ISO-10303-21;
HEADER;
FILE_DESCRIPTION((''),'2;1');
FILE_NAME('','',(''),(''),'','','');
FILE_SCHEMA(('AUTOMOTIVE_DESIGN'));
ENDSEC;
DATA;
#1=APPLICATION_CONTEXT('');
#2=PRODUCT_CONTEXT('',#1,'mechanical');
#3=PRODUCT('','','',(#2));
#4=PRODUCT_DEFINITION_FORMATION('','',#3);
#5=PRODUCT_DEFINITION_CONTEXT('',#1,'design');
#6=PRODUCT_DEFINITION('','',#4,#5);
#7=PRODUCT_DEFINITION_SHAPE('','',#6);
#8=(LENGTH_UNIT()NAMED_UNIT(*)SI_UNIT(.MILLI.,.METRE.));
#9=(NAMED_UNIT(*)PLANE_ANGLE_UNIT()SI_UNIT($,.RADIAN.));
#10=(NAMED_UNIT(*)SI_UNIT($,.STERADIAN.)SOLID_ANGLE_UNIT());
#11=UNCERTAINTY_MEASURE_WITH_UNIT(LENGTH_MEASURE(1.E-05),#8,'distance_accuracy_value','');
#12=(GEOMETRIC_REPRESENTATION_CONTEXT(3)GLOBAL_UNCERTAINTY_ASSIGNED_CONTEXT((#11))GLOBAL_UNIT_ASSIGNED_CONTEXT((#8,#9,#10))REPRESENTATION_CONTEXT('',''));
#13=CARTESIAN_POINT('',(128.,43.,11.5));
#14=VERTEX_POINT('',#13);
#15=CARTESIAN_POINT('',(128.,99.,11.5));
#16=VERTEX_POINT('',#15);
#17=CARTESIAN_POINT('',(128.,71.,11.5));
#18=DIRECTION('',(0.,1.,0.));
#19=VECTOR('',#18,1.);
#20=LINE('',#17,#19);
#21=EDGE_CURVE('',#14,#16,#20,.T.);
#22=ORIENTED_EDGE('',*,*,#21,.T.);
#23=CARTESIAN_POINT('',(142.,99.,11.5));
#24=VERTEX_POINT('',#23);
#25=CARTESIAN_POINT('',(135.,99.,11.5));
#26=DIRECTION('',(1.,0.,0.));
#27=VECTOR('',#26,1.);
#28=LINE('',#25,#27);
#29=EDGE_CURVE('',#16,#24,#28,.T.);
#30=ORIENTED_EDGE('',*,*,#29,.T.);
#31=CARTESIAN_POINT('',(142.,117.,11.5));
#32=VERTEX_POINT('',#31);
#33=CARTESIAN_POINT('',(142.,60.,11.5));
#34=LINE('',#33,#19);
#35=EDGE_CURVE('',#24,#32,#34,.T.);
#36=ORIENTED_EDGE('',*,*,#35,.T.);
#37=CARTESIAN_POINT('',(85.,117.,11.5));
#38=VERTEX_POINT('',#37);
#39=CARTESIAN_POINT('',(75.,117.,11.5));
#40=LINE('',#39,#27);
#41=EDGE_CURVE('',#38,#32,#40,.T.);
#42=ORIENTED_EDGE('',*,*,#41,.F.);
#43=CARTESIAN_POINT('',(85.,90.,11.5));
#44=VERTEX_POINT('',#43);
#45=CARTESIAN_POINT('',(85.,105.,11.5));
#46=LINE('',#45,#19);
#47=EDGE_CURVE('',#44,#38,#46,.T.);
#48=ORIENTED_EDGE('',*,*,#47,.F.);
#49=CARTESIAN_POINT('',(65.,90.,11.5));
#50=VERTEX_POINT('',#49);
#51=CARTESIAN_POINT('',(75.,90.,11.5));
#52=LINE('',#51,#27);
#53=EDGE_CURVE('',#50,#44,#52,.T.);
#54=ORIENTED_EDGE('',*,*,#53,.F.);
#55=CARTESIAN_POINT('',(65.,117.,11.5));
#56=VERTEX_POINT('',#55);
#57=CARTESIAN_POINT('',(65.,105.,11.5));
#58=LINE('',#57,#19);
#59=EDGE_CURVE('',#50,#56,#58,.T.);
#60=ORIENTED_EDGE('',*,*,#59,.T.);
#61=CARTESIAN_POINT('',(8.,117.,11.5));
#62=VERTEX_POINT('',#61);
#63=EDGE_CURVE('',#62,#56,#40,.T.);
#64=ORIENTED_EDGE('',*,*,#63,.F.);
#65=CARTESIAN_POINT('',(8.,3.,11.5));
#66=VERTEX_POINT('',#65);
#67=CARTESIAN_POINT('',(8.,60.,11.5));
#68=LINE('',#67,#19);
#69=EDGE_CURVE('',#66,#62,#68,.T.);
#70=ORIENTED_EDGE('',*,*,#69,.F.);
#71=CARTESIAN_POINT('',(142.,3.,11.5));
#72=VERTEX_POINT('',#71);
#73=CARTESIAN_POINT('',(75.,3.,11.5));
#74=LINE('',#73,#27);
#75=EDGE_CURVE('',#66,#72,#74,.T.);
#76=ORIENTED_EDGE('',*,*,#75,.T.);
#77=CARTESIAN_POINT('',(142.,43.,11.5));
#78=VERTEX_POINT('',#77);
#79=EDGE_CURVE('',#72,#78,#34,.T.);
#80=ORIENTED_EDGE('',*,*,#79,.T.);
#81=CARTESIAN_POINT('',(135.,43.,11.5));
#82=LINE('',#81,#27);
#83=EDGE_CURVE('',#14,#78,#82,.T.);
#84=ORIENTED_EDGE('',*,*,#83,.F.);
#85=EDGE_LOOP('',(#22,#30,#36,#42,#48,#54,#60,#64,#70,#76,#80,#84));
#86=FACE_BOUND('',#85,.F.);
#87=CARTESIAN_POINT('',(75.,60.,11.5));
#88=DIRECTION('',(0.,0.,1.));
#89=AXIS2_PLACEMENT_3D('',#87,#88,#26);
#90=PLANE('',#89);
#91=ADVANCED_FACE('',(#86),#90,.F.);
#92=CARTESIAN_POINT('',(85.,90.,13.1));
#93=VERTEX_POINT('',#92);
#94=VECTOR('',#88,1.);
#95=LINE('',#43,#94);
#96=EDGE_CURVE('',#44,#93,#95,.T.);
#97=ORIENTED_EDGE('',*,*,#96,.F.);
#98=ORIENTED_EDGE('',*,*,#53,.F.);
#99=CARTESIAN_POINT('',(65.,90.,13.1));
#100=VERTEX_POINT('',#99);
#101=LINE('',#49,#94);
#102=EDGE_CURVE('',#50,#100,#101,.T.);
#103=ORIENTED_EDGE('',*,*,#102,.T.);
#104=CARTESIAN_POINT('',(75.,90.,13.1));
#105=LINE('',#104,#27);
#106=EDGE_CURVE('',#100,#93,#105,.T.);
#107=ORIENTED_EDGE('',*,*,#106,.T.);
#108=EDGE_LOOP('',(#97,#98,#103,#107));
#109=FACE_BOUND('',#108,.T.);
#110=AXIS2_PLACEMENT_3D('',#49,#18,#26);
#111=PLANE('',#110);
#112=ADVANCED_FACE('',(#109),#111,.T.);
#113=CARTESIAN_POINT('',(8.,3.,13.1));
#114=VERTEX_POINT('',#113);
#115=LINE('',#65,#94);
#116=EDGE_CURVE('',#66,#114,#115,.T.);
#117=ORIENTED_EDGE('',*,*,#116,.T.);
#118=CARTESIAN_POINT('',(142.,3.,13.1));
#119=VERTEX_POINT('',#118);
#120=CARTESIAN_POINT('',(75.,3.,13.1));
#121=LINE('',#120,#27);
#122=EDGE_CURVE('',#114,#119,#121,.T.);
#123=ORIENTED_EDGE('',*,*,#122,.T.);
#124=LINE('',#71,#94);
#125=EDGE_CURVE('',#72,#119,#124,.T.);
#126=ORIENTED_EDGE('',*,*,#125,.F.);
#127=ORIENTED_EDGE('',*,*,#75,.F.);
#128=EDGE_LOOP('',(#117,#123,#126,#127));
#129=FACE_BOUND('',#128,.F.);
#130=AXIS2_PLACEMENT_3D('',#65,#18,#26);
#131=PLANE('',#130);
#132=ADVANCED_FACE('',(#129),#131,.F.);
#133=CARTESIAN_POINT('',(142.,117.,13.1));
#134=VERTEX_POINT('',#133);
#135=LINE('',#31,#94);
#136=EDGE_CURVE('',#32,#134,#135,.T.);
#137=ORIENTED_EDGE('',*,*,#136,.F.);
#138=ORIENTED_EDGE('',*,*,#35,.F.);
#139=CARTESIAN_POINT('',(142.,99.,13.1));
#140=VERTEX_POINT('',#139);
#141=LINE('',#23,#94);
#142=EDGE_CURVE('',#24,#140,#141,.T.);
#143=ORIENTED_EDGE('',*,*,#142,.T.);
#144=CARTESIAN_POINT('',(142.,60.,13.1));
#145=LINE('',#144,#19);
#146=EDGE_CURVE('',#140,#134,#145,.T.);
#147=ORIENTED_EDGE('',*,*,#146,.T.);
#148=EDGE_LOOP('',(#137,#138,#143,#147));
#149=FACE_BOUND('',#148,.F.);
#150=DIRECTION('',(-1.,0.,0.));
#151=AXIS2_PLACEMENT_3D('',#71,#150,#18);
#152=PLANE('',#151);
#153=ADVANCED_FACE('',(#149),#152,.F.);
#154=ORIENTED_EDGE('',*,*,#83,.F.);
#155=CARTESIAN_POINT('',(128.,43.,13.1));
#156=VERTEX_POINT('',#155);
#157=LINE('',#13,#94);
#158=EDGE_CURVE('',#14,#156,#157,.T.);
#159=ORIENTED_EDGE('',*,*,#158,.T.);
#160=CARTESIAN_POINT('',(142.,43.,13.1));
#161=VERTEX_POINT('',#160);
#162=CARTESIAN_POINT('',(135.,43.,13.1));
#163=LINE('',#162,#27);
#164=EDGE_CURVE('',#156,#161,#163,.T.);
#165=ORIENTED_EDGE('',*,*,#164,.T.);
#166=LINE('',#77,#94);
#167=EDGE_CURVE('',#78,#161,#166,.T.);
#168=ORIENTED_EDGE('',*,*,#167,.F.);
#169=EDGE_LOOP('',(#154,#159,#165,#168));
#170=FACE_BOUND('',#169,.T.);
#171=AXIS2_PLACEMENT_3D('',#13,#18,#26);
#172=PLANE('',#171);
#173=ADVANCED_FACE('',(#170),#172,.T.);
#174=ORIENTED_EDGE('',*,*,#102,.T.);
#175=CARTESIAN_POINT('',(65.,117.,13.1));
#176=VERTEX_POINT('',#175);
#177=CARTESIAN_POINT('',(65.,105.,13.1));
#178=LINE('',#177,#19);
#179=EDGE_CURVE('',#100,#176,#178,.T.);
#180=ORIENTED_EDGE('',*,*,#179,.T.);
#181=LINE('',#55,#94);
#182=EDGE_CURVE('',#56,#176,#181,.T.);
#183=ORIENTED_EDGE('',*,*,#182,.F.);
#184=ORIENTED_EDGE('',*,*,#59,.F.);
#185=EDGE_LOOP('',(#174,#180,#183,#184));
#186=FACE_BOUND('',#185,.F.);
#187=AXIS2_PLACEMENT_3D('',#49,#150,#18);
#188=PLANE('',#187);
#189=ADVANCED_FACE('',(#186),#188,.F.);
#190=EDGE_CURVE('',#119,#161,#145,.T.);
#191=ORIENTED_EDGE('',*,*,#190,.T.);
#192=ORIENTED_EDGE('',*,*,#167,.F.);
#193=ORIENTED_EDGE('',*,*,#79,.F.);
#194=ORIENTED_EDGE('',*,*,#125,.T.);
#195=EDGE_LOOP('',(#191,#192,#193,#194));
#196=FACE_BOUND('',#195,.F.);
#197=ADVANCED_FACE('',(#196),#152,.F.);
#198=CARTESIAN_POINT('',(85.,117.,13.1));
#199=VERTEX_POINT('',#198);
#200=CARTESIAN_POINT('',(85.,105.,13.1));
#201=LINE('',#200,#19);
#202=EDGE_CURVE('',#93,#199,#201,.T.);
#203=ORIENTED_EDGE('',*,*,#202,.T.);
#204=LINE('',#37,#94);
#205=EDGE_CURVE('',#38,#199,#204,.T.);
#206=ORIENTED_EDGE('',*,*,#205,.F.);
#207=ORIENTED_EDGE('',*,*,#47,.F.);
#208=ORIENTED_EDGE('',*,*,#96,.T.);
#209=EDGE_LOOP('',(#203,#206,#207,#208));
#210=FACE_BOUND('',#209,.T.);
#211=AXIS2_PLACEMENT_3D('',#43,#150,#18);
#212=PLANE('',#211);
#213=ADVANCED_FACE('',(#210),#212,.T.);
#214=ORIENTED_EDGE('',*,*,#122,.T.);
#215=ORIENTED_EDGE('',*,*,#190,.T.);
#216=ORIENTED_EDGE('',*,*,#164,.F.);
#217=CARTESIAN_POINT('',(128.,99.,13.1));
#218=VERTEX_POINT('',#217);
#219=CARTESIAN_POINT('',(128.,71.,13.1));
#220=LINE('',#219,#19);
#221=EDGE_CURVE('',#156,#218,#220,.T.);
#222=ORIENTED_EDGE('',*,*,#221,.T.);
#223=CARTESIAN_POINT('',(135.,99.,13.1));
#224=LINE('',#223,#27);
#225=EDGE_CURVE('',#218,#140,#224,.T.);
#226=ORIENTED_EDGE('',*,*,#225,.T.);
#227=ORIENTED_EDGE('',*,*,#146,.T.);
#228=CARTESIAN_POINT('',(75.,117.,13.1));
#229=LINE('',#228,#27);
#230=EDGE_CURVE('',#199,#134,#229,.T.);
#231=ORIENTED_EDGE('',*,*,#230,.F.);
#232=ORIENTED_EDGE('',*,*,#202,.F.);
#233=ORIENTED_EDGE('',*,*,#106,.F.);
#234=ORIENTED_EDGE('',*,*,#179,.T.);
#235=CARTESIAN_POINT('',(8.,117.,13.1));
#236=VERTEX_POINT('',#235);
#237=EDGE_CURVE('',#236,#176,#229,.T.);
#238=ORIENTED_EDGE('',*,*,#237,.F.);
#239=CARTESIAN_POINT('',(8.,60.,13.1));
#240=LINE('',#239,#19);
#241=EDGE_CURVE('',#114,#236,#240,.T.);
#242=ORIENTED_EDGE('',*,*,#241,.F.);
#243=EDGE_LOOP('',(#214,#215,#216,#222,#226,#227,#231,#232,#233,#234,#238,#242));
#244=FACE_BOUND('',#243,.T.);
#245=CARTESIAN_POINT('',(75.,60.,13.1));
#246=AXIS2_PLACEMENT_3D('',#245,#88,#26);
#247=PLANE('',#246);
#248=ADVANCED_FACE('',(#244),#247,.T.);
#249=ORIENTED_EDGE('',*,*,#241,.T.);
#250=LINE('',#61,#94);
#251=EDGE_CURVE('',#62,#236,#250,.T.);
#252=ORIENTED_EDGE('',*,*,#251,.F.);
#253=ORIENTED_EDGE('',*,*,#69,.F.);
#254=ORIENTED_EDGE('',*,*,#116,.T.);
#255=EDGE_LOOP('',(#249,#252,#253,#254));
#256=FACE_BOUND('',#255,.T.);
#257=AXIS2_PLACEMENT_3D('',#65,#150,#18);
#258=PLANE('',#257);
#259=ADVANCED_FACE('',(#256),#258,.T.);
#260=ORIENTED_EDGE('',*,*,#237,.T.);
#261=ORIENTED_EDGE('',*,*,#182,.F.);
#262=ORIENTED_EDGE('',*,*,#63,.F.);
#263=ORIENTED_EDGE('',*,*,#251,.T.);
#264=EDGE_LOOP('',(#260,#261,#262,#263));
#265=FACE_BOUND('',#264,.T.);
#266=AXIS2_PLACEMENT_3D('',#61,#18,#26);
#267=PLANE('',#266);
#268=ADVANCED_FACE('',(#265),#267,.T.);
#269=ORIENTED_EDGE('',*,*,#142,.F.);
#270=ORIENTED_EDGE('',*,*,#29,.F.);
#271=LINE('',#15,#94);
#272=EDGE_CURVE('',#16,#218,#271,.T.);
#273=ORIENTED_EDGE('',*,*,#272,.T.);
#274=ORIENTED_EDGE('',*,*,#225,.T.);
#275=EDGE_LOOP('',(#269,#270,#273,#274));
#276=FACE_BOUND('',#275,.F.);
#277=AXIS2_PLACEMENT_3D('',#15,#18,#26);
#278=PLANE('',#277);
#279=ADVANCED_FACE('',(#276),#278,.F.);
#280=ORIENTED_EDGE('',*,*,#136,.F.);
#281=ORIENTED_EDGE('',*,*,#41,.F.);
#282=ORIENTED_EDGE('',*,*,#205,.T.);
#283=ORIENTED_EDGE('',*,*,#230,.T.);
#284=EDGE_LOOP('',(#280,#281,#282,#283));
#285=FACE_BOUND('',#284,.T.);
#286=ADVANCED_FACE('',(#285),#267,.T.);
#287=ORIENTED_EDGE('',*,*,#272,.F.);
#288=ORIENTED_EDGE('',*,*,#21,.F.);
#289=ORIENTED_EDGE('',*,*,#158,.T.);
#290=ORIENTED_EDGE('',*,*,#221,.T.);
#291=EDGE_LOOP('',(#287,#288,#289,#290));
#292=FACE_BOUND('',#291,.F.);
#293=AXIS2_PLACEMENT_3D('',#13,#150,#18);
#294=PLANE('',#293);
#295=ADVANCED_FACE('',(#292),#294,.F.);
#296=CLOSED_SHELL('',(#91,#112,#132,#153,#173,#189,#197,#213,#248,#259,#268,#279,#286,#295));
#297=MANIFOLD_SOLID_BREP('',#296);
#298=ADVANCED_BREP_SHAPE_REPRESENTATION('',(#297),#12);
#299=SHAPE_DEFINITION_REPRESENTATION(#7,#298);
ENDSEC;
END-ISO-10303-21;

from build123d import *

# Parameters (mm, degrees)
BOX015001014_W     = 14
BOX015001014_H     = 56
BOX015001014_DEPTH = 1.6
BOX015001003_W     = 20
BOX015001003_H     = 30
BOX015001003_DEPTH = 1.6
BOX015001002_W     = 134
BOX015001002_H     = 114
BOX015001002_DEPTH = 1.6


with BuildPart() as cube015:
    # Box015001014 → Box015001014 (new body)
    with BuildSketch(Plane(origin=(128, 43, 11.5), x_dir=(1, 0, 0), z_dir=(0, 0, 1))):
        with Locations((7, 28)):
            Rectangle(BOX015001014_W, BOX015001014_H)
    extrude(amount=BOX015001014_DEPTH)


with BuildPart() as cube007:
    # Box015001003 → Box015001003 (new body)
    with BuildSketch(Plane(origin=(65, 90, 11.5), x_dir=(1, 0, 0), z_dir=(0, 0, 1))):
        with Locations((10, 15)):
            Rectangle(BOX015001003_W, BOX015001003_H)
    extrude(amount=BOX015001003_DEPTH)


with BuildPart() as cut004013:
    # Box015001002 → Box015001002 (new body)
    with BuildSketch(Plane(origin=(8, 3, 11.5), x_dir=(1, 0, 0), z_dir=(0, 0, 1))):
        with Locations((67, 57)):
            Rectangle(BOX015001002_W, BOX015001002_H)
    extrude(amount=BOX015001002_DEPTH)

    # Cut004006: cut Cube007
    add(cube007.part, mode=Mode.SUBTRACT)

    # Cut004013: cut Cube015
    add(cube015.part, mode=Mode.SUBTRACT)


solid = cut004013.part
